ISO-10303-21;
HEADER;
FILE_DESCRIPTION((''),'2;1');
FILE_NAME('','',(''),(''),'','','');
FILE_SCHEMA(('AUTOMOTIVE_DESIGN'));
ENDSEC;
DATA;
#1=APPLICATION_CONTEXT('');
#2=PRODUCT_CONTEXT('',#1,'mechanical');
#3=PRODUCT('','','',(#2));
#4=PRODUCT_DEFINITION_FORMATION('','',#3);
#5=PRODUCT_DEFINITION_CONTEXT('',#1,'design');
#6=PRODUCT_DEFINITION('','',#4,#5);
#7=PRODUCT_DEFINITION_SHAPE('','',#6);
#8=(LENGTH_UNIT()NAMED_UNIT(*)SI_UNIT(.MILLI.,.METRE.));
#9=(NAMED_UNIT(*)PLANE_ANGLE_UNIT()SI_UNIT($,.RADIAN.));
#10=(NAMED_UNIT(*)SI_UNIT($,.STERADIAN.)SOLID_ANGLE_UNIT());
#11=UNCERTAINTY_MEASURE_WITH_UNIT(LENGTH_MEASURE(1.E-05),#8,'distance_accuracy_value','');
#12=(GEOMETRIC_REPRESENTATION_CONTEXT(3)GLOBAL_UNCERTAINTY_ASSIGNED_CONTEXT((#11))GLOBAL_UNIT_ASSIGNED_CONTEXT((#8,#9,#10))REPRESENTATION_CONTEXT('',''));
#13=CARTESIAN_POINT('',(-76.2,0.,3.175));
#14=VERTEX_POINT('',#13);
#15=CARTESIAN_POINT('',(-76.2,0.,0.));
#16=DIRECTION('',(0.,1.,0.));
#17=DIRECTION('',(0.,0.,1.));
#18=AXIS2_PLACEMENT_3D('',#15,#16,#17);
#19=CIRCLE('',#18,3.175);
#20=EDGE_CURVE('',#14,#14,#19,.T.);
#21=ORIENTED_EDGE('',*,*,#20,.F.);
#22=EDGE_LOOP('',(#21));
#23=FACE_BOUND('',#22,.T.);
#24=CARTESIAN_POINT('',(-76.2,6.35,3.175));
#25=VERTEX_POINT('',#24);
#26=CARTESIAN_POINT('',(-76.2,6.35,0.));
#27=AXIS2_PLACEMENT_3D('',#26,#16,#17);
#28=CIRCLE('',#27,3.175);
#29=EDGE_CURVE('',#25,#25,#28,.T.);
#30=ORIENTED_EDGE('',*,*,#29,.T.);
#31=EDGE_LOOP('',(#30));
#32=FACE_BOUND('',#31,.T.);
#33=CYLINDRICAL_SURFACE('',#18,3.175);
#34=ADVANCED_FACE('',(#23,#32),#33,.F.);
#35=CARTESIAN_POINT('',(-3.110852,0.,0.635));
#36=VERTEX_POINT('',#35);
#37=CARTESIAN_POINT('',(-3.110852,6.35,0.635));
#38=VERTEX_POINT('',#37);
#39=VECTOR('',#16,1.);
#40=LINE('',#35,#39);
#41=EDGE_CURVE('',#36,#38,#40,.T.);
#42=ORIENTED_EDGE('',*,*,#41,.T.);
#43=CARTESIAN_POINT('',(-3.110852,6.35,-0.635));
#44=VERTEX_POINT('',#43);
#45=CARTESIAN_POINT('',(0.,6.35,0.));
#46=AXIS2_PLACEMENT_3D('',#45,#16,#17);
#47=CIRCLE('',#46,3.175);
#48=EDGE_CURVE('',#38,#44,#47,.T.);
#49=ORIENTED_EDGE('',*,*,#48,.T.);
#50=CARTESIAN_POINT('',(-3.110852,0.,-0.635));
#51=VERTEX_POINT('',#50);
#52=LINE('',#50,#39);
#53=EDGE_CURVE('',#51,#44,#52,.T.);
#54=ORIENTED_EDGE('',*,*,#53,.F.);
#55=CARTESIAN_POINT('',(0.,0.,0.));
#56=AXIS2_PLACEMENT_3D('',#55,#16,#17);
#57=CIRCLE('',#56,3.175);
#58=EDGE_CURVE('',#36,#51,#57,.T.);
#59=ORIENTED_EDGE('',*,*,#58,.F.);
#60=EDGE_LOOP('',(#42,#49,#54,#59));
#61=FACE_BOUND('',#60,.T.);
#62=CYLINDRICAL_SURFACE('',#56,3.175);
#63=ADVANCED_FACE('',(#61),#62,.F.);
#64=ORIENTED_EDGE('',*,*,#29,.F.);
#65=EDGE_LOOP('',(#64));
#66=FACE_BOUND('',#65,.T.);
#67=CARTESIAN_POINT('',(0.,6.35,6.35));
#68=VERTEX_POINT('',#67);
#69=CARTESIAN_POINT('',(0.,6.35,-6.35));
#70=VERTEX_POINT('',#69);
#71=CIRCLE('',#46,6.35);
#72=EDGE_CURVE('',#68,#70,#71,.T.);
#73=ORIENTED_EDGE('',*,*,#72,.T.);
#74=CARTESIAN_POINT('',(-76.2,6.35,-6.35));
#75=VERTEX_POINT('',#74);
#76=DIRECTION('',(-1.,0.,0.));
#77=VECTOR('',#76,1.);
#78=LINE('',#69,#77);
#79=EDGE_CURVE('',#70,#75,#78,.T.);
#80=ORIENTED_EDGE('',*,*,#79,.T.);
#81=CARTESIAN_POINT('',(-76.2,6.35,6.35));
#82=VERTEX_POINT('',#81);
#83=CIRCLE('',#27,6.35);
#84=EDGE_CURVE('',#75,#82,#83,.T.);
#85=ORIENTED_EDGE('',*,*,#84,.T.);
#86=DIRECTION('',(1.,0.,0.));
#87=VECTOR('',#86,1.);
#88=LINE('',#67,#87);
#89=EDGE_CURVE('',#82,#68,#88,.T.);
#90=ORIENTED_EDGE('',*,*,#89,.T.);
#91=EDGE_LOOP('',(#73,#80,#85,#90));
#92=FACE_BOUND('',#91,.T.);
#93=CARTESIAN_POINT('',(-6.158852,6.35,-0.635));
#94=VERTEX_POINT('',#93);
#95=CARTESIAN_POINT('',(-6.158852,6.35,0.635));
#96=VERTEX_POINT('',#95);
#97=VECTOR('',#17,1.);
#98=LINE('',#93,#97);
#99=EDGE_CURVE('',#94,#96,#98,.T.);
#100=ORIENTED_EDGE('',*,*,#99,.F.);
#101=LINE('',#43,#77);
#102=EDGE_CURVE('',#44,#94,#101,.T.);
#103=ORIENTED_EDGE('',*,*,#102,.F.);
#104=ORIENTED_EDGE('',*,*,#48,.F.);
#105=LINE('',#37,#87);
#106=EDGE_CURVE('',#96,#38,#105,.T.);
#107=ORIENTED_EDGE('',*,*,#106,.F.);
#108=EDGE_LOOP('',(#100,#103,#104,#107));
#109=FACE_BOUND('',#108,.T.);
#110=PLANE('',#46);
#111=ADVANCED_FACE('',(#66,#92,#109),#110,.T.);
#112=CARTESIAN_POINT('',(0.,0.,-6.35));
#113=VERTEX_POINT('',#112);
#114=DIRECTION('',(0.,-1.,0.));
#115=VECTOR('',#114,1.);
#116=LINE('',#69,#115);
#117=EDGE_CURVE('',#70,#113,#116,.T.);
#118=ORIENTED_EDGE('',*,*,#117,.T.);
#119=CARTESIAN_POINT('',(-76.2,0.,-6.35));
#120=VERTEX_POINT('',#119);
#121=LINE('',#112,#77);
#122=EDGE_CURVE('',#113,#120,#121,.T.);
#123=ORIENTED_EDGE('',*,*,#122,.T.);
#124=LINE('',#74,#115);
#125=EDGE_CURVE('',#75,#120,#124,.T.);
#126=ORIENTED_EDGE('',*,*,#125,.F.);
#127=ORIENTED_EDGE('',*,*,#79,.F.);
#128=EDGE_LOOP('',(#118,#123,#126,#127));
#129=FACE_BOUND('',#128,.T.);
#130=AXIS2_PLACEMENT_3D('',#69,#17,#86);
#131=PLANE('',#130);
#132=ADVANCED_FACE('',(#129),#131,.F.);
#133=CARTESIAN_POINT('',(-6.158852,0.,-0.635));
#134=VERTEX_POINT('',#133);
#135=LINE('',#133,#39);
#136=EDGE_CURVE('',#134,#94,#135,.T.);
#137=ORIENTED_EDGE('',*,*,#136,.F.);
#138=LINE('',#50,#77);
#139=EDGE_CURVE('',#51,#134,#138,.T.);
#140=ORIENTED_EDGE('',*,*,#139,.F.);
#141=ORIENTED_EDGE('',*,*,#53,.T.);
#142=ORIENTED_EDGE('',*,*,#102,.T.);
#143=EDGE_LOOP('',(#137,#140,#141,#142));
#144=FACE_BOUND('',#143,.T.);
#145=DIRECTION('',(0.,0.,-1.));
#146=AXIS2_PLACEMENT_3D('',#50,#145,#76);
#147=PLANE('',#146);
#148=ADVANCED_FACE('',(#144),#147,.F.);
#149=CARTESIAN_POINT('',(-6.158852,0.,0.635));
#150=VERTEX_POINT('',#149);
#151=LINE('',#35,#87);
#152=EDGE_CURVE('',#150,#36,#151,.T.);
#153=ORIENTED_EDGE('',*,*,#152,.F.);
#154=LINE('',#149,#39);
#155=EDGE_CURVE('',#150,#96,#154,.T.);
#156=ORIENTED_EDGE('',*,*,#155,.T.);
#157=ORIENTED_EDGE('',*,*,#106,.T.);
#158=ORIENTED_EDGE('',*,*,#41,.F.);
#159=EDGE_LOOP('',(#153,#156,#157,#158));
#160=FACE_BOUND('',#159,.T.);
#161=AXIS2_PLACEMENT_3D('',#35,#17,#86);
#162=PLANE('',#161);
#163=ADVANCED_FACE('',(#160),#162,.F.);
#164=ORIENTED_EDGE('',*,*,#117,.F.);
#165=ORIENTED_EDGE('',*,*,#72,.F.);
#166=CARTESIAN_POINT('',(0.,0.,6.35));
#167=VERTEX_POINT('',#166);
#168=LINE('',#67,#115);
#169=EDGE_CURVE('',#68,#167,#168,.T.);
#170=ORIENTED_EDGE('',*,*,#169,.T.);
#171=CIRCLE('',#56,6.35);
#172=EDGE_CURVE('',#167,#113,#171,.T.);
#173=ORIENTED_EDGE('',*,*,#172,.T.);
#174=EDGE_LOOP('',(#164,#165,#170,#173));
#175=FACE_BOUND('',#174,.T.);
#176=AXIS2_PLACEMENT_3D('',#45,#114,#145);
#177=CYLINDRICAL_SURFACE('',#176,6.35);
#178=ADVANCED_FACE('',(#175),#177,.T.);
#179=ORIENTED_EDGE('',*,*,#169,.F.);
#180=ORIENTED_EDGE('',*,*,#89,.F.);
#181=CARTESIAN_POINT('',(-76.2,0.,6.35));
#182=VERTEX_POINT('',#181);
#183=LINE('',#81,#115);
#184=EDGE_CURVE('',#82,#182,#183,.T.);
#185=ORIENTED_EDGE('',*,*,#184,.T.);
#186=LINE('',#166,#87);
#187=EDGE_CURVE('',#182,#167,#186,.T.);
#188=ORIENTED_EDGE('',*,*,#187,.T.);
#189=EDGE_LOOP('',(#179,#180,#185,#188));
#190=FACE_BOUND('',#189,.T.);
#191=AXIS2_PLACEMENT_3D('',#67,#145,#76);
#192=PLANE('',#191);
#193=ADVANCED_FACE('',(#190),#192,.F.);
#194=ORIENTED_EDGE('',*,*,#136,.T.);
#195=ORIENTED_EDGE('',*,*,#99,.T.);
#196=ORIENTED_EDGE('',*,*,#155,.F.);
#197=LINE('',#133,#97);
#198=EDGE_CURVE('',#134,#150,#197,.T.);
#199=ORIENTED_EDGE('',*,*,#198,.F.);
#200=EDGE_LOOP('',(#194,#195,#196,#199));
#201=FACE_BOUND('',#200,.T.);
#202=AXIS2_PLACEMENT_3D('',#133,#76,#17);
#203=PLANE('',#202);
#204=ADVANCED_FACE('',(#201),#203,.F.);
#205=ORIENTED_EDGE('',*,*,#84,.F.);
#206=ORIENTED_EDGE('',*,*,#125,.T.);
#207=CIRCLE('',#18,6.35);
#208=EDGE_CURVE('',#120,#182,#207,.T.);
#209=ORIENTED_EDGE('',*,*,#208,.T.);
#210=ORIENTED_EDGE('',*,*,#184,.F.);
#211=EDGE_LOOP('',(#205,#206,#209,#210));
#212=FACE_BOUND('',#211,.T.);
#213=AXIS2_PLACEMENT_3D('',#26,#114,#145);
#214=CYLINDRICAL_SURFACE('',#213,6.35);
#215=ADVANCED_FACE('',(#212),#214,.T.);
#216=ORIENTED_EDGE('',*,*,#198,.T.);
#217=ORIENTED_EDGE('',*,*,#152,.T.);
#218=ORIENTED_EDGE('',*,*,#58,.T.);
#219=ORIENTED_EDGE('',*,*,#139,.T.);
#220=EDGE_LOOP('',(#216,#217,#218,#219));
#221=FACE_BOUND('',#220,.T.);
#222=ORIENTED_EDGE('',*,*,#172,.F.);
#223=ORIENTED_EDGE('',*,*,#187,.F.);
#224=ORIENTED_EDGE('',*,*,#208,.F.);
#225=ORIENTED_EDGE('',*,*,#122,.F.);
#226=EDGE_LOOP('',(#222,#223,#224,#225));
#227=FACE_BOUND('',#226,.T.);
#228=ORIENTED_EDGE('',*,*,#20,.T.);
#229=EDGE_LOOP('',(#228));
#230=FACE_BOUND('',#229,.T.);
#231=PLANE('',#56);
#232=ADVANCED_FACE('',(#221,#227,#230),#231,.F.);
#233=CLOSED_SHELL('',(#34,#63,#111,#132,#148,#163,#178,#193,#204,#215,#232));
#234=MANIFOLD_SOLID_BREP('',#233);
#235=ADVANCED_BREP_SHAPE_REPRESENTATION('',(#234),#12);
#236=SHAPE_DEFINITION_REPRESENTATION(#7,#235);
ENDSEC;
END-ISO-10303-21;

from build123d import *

# Parameters (mm, degrees)
BOSS_EXTRUDE1_DEPTH = 6.35
CUT_EXTRUDE2_DEPTH  = 84.037024874
SKETCH4_R           = 3.175
CUT_EXTRUDE3_DEPTH  = 84.037024874


with BuildPart() as part:
    # Sketch1 → Boss-Extrude1 (new body)
    with BuildSketch(Plane(origin=(0, 0, 0), x_dir=(1, 0, 0), z_dir=(0, 1, 0))):
        with BuildLine():
            Line((0, -6.35), (-76.2, -6.35))
            ThreePointArc((-76.2, -6.35), (-82.55, 0), (-76.2, 6.35))
            Line((-76.2, 6.35), (0, 6.35))
            ThreePointArc((0, 6.35), (6.35, 0), (0, -6.35))
        make_face()
    extrude(amount=BOSS_EXTRUDE1_DEPTH)

    # Sketch3 → Cut-Extrude2 (cut, through all)
    with BuildSketch(Plane(origin=(0, 6.35, 0), x_dir=(1, 0, 0), z_dir=(0, 1, 0))):
        with BuildLine():
            Line((-3.110851973, 0.635), (-6.158851973, 0.635))
            Line((-6.158851973, 0.635), (-6.158851973, -0.635))
            Line((-6.158851973, -0.635), (-3.110851973, -0.635))
            ThreePointArc((-3.110851973, -0.635), (3.175, 0), (-3.110851973, 0.635))
        make_face()
    extrude(amount=-CUT_EXTRUDE2_DEPTH, mode=Mode.SUBTRACT)

    # Sketch4 → Cut-Extrude3 (cut, through all)
    with BuildSketch(Plane(origin=(0, 6.35, 0), x_dir=(1, 0, 0), z_dir=(0, 1, 0))):
        with Locations(Location((-76.2, 0, 0), (0, 0, 270))):
            Circle(SKETCH4_R)
    extrude(amount=-CUT_EXTRUDE3_DEPTH, mode=Mode.SUBTRACT)


solid = part.part
